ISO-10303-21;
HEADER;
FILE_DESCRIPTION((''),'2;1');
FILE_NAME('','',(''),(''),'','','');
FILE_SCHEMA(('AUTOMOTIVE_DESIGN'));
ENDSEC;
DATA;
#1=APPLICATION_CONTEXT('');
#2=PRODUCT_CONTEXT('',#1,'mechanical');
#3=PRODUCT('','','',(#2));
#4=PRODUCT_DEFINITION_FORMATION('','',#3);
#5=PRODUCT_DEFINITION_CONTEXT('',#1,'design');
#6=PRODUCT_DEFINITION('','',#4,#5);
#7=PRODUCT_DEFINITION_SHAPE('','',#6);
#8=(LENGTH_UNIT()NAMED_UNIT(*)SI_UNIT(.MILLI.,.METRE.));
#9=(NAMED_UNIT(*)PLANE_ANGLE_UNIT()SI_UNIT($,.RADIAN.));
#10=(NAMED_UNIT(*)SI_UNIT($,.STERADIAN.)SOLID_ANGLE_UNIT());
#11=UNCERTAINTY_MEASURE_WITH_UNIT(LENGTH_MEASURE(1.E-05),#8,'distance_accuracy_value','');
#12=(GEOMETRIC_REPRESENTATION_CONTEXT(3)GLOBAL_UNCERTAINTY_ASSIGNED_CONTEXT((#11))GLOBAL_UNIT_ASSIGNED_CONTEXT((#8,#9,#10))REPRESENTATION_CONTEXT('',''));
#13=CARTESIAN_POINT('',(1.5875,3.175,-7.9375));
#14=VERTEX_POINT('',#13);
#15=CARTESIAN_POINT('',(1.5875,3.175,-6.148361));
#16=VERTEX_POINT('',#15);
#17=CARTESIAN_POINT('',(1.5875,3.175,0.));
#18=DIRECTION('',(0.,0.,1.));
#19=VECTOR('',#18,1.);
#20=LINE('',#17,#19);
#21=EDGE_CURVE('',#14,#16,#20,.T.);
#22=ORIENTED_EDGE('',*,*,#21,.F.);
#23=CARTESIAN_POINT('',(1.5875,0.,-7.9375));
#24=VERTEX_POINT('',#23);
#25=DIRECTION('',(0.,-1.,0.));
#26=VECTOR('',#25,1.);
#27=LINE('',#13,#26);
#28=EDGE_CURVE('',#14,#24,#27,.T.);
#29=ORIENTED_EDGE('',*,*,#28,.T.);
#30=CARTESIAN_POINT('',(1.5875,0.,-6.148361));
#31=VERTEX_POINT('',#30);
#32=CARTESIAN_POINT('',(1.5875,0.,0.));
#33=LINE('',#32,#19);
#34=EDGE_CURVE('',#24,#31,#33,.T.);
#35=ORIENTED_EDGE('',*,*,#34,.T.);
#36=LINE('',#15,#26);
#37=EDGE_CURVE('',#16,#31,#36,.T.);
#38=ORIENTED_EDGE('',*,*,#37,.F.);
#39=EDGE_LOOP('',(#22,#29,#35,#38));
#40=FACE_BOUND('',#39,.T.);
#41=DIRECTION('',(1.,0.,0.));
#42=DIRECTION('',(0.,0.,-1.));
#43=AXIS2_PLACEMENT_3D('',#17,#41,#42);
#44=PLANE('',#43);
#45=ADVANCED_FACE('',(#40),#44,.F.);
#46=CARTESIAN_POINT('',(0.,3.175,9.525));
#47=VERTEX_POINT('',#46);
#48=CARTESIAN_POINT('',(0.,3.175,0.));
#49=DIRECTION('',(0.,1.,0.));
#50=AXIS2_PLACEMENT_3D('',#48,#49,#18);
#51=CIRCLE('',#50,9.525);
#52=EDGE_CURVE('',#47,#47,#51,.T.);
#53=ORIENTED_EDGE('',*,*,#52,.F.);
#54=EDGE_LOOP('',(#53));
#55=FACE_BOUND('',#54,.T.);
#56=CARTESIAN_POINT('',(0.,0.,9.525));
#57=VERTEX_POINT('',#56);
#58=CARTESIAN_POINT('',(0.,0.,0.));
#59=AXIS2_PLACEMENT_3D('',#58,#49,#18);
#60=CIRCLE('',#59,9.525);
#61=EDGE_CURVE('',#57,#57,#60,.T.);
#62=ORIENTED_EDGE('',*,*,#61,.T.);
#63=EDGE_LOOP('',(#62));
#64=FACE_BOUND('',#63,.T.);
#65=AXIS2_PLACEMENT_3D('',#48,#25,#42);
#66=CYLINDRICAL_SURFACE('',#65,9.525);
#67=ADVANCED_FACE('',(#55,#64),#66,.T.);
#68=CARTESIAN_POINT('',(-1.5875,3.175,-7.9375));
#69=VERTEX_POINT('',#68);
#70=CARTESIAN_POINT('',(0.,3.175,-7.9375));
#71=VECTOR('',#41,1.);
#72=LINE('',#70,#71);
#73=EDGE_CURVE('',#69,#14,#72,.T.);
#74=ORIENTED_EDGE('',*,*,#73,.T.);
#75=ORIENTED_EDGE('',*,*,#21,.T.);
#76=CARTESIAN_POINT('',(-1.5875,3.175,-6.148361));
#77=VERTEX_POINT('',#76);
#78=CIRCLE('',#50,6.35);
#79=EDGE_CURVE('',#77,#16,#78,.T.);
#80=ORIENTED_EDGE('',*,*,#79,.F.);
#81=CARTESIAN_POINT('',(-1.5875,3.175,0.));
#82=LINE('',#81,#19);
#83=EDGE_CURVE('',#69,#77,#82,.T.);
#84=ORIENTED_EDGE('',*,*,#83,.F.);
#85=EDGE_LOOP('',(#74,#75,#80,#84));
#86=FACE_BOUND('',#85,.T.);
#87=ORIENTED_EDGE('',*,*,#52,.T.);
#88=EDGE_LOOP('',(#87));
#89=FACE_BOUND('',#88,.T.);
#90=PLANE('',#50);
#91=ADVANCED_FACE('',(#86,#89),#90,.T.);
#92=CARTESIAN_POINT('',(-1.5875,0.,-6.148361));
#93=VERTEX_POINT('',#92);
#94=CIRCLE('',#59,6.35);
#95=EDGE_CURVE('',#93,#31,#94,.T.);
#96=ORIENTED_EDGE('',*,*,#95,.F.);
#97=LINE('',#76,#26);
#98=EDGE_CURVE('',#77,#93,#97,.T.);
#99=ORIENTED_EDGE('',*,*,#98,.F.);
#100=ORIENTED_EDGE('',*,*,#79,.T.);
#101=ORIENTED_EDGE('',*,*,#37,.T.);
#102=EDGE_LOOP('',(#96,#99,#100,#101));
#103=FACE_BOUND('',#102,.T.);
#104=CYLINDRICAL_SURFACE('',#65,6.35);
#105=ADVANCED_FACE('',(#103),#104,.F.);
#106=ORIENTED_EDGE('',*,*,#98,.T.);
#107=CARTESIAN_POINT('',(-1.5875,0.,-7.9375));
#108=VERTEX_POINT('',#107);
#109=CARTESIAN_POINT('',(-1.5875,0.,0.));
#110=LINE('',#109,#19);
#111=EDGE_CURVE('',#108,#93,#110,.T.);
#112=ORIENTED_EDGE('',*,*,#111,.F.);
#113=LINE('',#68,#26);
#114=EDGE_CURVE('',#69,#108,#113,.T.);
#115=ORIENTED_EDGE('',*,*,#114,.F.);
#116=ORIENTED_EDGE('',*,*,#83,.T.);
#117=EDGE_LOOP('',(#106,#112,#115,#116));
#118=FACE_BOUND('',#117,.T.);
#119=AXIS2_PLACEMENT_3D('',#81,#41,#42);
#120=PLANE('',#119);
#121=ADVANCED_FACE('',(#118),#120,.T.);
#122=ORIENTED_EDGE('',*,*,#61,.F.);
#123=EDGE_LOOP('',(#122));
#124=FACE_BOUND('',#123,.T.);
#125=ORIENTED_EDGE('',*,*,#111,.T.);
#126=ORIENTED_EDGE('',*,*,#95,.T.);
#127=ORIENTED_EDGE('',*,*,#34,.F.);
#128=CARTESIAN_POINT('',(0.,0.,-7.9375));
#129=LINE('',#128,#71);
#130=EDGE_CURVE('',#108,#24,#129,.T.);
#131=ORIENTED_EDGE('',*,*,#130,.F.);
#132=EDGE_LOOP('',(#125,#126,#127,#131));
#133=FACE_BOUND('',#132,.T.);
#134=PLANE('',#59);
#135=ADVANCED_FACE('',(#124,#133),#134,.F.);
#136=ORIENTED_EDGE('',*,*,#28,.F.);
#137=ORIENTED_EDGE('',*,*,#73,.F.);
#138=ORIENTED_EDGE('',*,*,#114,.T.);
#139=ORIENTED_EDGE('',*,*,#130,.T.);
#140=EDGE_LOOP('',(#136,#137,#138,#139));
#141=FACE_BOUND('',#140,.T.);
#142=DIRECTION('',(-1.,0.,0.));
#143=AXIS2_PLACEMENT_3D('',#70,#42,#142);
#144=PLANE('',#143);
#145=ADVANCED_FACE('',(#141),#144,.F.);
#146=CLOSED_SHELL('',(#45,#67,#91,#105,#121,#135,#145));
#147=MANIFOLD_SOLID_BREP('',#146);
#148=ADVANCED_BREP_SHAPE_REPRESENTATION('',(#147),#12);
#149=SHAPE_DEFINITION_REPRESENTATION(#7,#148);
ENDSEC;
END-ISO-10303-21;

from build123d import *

# Parameters (mm, degrees)
SKETCH1_R           = 9.525
BOSS_EXTRUDE1_DEPTH = 3.175


with BuildPart() as part:
    # Sketch1 → Boss-Extrude1 (new body)
    with BuildSketch(Plane(origin=(0, 0, 0), x_dir=(1, 0, 0), z_dir=(0, 1, 0))):
        with Locations(Location((0, 0, 0), (0, 0, 270))):
            Circle(SKETCH1_R)
        with BuildLine():
            Line((-1.5875, 6.148361062), (-1.5875, 7.9375))
            Line((-1.5875, 7.9375), (1.5875, 7.9375))
            Line((1.5875, 7.9375), (1.5875, 6.148361062))
            ThreePointArc((1.5875, 6.148361062), (0, -6.35), (-1.5875, 6.148361062))
        make_face(mode=Mode.SUBTRACT)
    extrude(amount=BOSS_EXTRUDE1_DEPTH)


solid = part.part
